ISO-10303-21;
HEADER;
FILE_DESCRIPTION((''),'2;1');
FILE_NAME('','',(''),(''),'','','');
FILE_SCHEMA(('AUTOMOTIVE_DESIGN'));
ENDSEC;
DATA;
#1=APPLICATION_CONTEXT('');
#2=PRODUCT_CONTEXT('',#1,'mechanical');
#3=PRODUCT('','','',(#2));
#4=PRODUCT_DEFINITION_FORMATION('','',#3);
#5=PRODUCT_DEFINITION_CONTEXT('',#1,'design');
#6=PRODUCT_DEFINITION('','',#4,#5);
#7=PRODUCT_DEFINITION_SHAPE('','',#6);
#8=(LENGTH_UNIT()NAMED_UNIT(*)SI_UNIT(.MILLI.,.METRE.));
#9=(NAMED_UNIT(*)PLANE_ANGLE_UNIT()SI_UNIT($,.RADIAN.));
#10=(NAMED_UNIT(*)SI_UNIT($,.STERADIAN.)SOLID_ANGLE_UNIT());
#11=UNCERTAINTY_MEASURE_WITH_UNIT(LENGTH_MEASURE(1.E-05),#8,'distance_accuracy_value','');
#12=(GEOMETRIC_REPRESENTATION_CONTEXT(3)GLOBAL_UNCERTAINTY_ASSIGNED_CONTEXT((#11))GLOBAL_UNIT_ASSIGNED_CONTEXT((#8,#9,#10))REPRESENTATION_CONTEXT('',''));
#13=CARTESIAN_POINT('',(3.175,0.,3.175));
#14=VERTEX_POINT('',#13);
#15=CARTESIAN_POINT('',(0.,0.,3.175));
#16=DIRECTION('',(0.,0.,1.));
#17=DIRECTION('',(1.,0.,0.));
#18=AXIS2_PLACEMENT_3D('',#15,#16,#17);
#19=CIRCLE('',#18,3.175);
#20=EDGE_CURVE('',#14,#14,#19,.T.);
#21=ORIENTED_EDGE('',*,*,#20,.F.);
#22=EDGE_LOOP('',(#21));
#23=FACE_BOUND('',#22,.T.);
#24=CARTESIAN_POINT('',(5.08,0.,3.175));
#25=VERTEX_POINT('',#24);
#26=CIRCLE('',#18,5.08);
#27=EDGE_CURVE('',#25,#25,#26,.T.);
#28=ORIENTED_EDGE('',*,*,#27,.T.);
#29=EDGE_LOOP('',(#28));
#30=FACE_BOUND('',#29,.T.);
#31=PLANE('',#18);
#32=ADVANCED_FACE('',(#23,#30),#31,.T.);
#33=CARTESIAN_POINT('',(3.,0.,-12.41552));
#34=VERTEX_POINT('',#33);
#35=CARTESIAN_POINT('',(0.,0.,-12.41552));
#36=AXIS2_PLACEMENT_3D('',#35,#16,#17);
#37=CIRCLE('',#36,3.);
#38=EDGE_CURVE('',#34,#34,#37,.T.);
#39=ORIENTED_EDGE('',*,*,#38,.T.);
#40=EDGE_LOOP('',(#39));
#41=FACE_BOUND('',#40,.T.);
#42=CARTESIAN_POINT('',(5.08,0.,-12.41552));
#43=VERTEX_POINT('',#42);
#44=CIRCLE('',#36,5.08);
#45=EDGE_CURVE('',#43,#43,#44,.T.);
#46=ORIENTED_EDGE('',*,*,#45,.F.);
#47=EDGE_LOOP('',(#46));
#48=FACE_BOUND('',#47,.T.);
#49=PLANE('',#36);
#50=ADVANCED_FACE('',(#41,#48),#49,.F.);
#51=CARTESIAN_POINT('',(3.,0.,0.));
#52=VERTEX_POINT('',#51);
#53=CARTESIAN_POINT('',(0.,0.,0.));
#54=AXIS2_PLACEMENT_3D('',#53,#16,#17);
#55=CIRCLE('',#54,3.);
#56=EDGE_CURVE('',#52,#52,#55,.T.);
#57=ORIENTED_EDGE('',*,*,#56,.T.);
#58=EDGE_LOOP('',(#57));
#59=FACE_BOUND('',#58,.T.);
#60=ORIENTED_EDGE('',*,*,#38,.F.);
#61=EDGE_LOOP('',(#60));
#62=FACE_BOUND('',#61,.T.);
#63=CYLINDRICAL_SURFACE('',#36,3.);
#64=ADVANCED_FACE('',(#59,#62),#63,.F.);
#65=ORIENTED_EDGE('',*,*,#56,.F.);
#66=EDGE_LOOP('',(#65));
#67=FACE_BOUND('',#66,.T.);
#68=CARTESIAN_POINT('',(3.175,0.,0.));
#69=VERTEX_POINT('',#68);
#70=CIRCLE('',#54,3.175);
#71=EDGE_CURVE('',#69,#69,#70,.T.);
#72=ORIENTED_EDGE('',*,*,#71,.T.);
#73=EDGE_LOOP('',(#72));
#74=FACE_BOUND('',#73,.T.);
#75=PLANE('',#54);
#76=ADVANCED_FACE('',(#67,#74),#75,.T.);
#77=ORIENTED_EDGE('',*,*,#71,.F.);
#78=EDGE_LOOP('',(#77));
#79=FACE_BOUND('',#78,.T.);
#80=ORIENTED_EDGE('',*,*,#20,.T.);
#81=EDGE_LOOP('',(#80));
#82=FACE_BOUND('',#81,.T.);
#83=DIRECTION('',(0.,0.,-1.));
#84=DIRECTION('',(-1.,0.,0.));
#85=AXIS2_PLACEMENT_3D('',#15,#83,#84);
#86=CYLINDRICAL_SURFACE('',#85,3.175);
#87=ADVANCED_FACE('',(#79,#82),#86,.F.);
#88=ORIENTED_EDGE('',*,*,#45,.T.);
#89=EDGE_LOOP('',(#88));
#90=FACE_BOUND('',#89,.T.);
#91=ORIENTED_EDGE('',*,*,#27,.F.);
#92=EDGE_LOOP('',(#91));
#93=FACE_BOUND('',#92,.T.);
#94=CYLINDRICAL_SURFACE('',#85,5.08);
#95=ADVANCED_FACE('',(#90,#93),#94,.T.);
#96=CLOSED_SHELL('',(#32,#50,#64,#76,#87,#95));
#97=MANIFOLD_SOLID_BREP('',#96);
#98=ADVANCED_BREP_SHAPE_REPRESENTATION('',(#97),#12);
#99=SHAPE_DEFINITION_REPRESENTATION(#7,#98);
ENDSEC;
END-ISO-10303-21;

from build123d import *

# Parameters (mm, degrees)
SKETCH1_R           = 5.08
SKETCH1_R_2         = 3.175
BOSS_EXTRUDE1_DEPTH = 3.175
BOSS_EXTRUDE2_START = -12.41552
SKETCH1_3_R         = 5.08
SKETCH1_3_R_2       = 3
BOSS_EXTRUDE2_DEPTH = 12.41552


with BuildPart() as part:
    # Sketch1 → Boss-Extrude1 (new body)
    with BuildSketch(Plane.XY):
        Circle(SKETCH1_R)
        Circle(SKETCH1_R_2, mode=Mode.SUBTRACT)
    extrude(amount=BOSS_EXTRUDE1_DEPTH)

    # Sketch1<3> → Boss-Extrude2 (add)
    with BuildSketch(Plane.XY.offset(BOSS_EXTRUDE2_START)):
        Circle(SKETCH1_3_R)
        Circle(SKETCH1_3_R_2, mode=Mode.SUBTRACT)
    extrude(amount=BOSS_EXTRUDE2_DEPTH)


solid = part.part
